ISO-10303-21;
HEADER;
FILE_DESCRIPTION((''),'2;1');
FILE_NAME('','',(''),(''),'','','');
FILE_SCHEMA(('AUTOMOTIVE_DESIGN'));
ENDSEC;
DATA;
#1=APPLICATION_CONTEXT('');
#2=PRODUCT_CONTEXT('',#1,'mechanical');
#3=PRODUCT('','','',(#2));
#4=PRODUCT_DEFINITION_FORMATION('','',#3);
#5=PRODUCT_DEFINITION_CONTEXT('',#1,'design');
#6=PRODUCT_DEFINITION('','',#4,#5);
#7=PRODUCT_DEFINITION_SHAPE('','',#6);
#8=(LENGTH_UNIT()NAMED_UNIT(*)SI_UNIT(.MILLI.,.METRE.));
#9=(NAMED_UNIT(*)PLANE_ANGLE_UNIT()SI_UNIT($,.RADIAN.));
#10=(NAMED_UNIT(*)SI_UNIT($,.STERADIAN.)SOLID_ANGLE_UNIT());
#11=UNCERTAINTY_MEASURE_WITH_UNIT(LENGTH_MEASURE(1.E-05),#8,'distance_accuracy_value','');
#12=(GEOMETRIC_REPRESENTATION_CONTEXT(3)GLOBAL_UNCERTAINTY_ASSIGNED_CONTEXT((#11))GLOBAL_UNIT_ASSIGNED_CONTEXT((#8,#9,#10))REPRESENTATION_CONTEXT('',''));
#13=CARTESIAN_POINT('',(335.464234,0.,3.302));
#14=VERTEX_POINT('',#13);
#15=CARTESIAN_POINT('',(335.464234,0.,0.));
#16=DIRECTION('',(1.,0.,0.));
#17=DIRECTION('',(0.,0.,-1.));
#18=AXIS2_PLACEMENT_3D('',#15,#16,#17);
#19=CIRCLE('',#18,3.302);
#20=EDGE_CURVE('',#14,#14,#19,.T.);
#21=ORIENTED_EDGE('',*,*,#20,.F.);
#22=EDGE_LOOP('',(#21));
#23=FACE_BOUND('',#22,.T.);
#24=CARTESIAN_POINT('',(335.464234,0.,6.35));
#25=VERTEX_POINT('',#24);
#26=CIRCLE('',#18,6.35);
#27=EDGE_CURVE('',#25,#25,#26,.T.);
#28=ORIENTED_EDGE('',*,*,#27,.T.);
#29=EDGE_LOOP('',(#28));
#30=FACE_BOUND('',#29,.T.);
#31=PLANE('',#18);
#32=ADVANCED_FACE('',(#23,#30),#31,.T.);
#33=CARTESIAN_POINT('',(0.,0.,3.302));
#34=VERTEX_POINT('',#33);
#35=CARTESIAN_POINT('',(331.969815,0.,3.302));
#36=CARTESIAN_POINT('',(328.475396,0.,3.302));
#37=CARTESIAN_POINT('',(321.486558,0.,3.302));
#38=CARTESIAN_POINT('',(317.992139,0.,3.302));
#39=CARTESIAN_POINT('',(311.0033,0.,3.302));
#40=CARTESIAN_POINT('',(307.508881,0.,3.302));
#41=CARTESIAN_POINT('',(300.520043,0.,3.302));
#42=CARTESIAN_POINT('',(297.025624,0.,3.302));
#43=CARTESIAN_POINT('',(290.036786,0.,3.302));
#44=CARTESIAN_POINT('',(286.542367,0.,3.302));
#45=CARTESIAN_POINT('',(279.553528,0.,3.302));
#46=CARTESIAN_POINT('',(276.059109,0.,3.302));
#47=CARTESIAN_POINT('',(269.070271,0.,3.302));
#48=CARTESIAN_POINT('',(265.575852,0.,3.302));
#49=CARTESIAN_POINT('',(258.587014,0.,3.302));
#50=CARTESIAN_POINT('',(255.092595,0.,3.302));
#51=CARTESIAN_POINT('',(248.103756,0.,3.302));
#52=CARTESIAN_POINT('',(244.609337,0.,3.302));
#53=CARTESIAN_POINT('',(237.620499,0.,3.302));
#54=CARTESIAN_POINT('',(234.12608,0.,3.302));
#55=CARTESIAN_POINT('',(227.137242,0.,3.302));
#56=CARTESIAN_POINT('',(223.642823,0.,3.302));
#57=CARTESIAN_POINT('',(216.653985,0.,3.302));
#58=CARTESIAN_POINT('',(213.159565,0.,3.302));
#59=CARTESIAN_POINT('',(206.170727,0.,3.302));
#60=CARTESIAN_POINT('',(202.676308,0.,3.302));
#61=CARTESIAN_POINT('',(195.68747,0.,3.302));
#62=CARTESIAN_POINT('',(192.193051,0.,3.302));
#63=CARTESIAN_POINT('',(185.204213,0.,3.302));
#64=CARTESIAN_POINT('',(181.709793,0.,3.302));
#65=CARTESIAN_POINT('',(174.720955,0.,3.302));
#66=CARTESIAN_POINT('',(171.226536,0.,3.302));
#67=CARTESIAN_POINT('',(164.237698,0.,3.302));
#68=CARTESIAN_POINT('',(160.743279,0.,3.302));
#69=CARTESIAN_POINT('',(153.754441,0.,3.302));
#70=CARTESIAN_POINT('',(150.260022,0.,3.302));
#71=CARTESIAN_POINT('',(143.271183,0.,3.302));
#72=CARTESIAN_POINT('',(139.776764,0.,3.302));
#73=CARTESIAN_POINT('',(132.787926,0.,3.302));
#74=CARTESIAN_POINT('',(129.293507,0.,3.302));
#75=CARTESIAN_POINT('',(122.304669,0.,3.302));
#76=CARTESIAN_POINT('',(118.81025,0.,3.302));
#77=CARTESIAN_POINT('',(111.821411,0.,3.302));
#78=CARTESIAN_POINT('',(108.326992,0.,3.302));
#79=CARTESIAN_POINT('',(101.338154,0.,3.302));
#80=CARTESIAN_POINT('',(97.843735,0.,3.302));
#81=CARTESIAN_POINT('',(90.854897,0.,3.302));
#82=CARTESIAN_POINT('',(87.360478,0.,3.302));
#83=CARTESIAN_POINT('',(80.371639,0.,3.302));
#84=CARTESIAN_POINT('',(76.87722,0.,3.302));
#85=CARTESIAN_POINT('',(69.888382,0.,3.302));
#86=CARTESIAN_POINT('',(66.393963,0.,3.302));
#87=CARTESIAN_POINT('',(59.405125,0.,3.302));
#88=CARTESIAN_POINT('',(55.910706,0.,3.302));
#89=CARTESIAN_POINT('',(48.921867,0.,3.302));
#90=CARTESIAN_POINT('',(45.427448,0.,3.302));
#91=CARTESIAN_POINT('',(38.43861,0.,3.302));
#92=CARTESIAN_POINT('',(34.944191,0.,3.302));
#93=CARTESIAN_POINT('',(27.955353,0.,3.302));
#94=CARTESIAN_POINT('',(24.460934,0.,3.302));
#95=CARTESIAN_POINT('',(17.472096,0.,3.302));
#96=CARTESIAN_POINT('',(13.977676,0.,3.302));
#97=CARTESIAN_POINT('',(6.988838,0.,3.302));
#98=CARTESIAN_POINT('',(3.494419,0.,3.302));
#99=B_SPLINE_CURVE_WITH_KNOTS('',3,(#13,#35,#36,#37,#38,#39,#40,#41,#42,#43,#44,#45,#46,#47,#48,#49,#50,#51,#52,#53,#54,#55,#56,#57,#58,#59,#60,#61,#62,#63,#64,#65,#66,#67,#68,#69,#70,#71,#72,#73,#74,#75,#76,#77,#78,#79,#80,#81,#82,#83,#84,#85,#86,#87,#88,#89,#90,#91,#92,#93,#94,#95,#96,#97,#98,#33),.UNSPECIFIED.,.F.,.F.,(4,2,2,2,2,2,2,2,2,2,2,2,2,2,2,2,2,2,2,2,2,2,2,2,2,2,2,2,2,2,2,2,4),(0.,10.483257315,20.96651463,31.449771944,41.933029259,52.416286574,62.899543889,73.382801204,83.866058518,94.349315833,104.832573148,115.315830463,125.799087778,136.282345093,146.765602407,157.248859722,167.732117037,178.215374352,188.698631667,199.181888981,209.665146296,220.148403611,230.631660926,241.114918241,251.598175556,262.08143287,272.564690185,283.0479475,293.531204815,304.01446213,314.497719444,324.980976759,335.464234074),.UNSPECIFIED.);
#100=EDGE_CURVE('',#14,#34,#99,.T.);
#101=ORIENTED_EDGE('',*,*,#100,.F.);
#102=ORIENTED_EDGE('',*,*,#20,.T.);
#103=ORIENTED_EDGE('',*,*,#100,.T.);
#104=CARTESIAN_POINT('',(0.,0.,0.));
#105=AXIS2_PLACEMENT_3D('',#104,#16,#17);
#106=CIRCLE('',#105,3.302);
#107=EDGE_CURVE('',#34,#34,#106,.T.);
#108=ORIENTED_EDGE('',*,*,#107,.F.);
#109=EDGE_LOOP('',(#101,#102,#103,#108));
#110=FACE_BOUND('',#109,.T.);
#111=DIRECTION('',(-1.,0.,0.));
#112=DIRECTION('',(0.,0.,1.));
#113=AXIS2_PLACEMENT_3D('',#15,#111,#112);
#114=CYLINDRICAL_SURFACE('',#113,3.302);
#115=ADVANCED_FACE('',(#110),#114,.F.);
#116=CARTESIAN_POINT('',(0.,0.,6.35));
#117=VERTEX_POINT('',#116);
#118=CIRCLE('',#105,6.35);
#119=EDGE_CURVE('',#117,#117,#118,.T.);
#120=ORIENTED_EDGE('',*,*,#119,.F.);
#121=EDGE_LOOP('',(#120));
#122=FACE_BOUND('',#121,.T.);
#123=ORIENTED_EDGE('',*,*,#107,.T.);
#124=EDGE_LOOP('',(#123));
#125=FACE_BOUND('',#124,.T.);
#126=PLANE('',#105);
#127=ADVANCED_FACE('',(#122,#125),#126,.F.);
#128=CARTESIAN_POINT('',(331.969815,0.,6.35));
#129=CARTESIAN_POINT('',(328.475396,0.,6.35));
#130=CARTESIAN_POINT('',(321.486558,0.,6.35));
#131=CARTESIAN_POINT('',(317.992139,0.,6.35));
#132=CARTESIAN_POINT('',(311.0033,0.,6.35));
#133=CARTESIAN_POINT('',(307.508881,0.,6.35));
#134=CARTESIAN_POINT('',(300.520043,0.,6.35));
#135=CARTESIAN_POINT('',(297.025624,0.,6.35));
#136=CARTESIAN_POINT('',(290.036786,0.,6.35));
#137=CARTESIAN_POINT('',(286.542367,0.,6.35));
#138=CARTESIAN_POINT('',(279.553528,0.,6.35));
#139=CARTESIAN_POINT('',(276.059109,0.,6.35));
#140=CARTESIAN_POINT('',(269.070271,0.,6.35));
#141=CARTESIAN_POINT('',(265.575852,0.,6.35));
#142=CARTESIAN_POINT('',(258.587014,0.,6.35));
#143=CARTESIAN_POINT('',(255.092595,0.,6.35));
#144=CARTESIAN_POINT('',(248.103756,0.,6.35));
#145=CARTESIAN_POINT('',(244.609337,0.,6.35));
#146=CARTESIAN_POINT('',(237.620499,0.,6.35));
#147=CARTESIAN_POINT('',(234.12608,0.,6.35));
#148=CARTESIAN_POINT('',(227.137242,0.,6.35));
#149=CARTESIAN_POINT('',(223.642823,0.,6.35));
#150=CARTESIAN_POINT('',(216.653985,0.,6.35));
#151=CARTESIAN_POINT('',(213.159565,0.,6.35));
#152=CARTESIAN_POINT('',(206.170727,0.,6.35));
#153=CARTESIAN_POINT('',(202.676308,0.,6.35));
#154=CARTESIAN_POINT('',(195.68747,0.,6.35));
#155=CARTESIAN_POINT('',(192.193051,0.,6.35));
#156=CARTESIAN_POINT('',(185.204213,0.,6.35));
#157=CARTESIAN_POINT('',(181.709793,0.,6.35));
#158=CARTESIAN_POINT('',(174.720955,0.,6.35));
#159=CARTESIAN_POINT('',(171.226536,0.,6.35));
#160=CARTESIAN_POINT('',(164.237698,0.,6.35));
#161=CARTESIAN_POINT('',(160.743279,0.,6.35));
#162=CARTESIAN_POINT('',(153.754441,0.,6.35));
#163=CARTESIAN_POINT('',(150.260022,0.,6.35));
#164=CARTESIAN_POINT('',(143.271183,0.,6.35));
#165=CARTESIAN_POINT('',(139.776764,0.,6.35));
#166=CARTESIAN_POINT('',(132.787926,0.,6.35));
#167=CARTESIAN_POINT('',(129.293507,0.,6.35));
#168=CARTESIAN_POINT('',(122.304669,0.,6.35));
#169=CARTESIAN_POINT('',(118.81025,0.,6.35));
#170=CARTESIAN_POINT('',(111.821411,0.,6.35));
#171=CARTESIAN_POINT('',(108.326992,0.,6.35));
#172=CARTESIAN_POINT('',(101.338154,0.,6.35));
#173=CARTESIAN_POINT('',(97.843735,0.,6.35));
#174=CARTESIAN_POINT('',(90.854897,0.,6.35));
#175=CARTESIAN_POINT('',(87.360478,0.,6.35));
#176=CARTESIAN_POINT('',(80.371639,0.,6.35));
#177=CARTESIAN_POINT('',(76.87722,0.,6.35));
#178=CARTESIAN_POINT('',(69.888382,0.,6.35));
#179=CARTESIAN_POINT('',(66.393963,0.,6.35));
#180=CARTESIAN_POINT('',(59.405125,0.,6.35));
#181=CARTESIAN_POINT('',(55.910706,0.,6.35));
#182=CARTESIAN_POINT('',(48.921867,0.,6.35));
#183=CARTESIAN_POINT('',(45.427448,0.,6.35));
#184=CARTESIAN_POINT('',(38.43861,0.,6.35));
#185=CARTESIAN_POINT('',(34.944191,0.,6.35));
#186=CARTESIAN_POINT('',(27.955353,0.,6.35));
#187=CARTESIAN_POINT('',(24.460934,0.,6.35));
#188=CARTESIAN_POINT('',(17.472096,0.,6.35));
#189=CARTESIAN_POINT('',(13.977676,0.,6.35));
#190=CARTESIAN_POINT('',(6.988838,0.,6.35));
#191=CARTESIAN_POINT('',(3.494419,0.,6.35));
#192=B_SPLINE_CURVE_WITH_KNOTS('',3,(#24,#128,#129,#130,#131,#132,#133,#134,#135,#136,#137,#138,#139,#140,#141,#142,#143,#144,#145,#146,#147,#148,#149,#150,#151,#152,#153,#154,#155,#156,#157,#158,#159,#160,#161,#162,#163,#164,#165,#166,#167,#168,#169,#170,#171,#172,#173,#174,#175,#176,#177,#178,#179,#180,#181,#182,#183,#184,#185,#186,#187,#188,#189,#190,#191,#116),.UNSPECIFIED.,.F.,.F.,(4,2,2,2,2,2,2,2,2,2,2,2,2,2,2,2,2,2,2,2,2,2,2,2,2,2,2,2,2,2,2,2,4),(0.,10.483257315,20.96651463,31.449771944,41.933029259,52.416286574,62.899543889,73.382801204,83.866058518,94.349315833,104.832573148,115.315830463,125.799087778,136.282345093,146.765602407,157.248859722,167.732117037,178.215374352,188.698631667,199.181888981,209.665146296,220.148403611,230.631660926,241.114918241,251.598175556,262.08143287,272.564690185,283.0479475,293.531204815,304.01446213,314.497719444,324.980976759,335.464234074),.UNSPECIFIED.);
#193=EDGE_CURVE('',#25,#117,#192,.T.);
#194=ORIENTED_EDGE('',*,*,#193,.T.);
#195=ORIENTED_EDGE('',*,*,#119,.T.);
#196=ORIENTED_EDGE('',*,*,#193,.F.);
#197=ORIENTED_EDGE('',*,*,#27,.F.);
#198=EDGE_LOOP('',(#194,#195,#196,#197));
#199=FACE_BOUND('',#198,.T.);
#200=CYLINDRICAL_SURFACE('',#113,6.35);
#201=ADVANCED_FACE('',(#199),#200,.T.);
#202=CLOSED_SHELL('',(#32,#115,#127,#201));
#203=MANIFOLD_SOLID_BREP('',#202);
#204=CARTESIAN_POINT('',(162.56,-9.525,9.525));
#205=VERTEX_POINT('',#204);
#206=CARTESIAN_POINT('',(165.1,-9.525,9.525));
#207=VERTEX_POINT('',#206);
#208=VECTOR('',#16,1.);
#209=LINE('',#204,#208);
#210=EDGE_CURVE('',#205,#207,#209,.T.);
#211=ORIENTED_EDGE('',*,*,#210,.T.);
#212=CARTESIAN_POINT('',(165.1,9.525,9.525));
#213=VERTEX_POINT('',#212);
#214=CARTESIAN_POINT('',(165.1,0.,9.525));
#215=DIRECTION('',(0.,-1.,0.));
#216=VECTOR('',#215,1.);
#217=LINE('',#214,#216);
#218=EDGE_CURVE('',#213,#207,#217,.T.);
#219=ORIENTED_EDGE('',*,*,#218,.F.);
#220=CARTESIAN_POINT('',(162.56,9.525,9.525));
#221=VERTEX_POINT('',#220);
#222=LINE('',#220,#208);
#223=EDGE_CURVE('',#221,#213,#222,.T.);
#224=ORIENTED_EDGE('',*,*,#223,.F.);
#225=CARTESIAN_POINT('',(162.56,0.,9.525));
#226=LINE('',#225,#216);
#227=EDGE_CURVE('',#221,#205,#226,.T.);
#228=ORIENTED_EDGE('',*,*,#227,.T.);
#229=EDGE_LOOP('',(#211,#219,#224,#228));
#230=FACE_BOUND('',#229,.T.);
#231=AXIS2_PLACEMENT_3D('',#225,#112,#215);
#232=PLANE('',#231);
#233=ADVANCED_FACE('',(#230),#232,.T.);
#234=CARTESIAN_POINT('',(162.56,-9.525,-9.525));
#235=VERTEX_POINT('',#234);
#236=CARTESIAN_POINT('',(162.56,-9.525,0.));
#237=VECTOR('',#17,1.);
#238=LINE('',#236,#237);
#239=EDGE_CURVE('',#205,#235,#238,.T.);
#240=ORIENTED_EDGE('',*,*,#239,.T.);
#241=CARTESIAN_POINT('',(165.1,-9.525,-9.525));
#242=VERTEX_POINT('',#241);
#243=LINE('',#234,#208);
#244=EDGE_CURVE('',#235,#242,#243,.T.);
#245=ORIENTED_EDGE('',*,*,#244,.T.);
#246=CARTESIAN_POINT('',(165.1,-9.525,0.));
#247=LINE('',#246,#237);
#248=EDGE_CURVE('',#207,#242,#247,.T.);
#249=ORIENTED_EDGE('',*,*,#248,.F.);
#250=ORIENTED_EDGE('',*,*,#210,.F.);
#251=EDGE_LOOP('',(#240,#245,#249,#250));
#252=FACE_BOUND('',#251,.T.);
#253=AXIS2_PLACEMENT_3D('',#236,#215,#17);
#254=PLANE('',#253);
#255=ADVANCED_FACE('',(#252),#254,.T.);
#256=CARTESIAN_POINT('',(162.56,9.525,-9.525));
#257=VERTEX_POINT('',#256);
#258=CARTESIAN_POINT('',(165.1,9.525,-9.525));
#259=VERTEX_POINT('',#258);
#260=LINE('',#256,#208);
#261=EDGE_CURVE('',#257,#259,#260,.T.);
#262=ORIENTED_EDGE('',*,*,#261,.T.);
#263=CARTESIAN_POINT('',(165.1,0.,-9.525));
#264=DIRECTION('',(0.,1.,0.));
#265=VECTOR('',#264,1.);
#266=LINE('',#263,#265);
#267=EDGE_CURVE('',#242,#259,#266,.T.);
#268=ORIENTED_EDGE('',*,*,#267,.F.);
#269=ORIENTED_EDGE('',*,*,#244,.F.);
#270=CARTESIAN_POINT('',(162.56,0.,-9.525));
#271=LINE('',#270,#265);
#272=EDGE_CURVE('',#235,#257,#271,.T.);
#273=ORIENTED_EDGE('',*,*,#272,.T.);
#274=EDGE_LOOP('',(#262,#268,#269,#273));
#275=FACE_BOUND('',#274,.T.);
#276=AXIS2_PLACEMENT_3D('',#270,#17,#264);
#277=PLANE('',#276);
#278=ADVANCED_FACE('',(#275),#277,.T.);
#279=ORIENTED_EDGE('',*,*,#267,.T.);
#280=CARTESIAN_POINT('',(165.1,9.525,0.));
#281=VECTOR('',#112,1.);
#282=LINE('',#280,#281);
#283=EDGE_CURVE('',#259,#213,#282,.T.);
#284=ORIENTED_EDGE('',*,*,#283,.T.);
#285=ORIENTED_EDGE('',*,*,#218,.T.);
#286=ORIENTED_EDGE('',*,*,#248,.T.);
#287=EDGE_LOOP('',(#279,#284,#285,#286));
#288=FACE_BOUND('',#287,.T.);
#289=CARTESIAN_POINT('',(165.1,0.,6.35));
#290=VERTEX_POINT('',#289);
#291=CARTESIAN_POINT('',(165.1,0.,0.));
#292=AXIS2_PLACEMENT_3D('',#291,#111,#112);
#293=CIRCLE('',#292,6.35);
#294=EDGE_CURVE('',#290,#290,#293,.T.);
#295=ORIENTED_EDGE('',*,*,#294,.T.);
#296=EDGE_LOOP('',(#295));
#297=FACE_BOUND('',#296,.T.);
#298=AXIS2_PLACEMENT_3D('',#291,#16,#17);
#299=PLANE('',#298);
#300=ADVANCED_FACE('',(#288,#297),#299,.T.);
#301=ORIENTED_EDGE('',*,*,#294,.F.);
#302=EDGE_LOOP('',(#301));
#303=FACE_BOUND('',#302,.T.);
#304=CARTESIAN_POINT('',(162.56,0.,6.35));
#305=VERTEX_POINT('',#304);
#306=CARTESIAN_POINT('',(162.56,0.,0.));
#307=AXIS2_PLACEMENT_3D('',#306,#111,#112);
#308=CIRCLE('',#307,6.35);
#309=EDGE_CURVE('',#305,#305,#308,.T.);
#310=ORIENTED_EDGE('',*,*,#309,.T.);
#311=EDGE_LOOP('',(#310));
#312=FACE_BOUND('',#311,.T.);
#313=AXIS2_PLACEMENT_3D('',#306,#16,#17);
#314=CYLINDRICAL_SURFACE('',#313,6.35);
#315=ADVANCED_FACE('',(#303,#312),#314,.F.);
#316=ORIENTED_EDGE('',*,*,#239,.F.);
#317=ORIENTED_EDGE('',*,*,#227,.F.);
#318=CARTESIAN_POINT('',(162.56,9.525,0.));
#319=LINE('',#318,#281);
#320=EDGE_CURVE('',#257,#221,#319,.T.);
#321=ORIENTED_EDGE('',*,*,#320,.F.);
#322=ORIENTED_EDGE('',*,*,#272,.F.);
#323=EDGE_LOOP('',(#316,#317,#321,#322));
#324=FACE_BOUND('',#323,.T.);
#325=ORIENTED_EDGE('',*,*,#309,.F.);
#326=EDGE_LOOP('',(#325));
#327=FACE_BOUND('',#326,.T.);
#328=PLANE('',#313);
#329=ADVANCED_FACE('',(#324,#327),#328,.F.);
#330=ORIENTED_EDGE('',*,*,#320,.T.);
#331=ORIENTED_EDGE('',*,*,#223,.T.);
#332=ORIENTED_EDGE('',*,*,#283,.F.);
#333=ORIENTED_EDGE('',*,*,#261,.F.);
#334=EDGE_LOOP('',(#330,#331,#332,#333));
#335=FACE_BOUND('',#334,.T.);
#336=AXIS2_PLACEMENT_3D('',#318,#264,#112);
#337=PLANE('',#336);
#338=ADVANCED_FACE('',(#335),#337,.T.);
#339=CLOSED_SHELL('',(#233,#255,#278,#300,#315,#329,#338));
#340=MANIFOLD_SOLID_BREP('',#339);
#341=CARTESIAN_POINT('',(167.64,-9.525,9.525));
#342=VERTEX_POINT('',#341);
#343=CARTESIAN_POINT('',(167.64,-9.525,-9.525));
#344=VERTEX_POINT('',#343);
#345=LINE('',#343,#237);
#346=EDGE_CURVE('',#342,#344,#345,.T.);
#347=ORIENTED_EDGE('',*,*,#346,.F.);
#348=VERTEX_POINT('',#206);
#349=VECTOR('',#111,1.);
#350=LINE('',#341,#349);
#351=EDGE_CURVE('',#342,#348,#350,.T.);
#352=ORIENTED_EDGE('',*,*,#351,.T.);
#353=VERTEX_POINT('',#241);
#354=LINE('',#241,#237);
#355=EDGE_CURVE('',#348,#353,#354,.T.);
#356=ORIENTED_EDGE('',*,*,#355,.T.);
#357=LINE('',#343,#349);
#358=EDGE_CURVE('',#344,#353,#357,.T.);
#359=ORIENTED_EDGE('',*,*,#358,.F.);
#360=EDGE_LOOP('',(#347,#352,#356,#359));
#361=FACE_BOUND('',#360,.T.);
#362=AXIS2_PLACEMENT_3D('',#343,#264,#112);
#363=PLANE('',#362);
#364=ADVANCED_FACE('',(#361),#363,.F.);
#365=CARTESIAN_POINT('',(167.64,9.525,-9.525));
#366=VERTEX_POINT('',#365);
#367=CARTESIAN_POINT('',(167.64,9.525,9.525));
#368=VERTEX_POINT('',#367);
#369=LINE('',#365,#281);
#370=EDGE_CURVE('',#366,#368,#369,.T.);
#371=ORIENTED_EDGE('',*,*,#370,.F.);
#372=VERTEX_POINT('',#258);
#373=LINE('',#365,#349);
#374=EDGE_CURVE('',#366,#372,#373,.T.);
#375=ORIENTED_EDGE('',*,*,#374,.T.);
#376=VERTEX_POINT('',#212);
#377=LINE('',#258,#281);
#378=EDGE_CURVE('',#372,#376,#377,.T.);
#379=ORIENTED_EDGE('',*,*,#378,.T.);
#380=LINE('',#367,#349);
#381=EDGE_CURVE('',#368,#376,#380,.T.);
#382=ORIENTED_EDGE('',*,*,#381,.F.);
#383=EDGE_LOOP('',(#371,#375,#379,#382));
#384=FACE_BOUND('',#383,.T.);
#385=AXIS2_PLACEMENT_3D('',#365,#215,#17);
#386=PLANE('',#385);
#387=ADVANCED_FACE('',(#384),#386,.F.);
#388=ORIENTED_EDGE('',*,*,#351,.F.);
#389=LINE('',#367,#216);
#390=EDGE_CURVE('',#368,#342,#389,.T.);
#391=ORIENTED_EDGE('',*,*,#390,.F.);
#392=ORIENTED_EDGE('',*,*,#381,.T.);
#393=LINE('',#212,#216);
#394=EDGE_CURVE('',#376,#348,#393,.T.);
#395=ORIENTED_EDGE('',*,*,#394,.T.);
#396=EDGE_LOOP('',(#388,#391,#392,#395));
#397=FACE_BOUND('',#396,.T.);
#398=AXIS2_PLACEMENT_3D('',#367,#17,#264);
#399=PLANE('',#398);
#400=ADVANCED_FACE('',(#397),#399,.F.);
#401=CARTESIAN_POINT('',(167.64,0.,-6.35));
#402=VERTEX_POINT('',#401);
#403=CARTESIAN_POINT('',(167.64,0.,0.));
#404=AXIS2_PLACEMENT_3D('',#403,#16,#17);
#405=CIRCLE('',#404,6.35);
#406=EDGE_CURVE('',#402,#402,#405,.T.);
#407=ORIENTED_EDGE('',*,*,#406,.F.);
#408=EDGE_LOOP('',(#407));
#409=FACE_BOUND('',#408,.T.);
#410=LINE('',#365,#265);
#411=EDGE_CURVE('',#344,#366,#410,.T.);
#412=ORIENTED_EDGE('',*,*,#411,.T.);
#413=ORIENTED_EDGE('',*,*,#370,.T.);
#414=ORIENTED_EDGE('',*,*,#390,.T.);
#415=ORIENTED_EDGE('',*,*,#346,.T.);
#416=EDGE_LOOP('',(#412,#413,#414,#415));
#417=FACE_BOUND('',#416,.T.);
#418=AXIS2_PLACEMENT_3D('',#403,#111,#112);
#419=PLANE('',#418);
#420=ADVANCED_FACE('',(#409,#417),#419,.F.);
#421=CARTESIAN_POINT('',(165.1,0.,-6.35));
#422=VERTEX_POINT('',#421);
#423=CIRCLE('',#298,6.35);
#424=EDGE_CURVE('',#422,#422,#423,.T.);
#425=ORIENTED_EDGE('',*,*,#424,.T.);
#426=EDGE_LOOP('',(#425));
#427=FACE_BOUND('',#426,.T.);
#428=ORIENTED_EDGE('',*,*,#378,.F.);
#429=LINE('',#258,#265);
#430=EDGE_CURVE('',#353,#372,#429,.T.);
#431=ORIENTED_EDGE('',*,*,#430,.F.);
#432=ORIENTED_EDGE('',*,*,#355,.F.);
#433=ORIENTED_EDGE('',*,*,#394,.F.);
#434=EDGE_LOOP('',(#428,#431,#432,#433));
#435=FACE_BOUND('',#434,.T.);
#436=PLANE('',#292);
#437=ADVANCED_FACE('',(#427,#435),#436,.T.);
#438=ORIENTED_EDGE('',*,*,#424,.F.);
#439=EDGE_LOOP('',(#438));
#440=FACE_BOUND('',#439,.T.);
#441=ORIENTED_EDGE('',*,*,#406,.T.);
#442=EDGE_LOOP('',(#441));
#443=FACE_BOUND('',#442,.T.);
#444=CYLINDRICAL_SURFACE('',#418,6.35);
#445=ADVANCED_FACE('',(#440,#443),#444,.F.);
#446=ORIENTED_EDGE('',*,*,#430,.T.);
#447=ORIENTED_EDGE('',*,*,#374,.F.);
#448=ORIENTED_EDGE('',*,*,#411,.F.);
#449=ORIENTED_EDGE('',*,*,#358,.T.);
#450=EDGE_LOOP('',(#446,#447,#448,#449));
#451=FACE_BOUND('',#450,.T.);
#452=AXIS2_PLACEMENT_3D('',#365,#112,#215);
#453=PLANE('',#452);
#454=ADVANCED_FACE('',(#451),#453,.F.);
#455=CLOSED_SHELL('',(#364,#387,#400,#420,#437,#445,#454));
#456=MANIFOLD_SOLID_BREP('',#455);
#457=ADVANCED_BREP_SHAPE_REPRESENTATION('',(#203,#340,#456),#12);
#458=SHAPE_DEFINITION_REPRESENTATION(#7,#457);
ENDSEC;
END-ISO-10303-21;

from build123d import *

# Parameters (mm, degrees)
SKETCH11_R            = 6.35
SKETCH11_R_2          = 3.302
PULL_ROD_MEMBER_DEPTH = 335.464234074
PULL_START            = 165.1
SKETCH12_W            = 19.05
SKETCH12_H            = 19.05
SKETCH12_R            = 6.35
PULL_ROD_NUT_1_DEPTH  = 2.54
SKETCH14_W            = 19.05
SKETCH14_H            = 19.05
SKETCH14_R            = 6.35
PULL_ROD_NUT_2_DEPTH  = 2.54


with BuildPart() as part:
    # Sketch11 → Pull Rod Member (new body)
    with BuildSketch(Plane.YZ):
        Circle(SKETCH11_R)
        Circle(SKETCH11_R_2, mode=Mode.SUBTRACT)
    extrude(amount=PULL_ROD_MEMBER_DEPTH)


with BuildPart() as body_2:
    # Sketch12 → Pull Rod Nut 1 (new body)
    with BuildSketch(Plane(origin=(0, 0, 0), x_dir=(0, 0, -1), z_dir=(1, 0, 0)).offset(PULL_START)):
        Rectangle(SKETCH12_W, SKETCH12_H)
        Circle(SKETCH12_R, mode=Mode.SUBTRACT)
    extrude(amount=PULL_ROD_NUT_1_DEPTH)


with BuildPart() as body_3:
    # Sketch14 → Pull Rod Nut 2 (new body)
    with BuildSketch(Plane(origin=(0, 0, 0), x_dir=(0, 0, -1), z_dir=(1, 0, 0)).offset(PULL_START)):
        Rectangle(SKETCH14_W, SKETCH14_H)
        with Locations(Location((0, 0, 0), (0, 0, 180))):
            Circle(SKETCH14_R, mode=Mode.SUBTRACT)
    extrude(amount=-PULL_ROD_NUT_2_DEPTH)


solid = Compound([part.part, body_2.part, body_3.part])
